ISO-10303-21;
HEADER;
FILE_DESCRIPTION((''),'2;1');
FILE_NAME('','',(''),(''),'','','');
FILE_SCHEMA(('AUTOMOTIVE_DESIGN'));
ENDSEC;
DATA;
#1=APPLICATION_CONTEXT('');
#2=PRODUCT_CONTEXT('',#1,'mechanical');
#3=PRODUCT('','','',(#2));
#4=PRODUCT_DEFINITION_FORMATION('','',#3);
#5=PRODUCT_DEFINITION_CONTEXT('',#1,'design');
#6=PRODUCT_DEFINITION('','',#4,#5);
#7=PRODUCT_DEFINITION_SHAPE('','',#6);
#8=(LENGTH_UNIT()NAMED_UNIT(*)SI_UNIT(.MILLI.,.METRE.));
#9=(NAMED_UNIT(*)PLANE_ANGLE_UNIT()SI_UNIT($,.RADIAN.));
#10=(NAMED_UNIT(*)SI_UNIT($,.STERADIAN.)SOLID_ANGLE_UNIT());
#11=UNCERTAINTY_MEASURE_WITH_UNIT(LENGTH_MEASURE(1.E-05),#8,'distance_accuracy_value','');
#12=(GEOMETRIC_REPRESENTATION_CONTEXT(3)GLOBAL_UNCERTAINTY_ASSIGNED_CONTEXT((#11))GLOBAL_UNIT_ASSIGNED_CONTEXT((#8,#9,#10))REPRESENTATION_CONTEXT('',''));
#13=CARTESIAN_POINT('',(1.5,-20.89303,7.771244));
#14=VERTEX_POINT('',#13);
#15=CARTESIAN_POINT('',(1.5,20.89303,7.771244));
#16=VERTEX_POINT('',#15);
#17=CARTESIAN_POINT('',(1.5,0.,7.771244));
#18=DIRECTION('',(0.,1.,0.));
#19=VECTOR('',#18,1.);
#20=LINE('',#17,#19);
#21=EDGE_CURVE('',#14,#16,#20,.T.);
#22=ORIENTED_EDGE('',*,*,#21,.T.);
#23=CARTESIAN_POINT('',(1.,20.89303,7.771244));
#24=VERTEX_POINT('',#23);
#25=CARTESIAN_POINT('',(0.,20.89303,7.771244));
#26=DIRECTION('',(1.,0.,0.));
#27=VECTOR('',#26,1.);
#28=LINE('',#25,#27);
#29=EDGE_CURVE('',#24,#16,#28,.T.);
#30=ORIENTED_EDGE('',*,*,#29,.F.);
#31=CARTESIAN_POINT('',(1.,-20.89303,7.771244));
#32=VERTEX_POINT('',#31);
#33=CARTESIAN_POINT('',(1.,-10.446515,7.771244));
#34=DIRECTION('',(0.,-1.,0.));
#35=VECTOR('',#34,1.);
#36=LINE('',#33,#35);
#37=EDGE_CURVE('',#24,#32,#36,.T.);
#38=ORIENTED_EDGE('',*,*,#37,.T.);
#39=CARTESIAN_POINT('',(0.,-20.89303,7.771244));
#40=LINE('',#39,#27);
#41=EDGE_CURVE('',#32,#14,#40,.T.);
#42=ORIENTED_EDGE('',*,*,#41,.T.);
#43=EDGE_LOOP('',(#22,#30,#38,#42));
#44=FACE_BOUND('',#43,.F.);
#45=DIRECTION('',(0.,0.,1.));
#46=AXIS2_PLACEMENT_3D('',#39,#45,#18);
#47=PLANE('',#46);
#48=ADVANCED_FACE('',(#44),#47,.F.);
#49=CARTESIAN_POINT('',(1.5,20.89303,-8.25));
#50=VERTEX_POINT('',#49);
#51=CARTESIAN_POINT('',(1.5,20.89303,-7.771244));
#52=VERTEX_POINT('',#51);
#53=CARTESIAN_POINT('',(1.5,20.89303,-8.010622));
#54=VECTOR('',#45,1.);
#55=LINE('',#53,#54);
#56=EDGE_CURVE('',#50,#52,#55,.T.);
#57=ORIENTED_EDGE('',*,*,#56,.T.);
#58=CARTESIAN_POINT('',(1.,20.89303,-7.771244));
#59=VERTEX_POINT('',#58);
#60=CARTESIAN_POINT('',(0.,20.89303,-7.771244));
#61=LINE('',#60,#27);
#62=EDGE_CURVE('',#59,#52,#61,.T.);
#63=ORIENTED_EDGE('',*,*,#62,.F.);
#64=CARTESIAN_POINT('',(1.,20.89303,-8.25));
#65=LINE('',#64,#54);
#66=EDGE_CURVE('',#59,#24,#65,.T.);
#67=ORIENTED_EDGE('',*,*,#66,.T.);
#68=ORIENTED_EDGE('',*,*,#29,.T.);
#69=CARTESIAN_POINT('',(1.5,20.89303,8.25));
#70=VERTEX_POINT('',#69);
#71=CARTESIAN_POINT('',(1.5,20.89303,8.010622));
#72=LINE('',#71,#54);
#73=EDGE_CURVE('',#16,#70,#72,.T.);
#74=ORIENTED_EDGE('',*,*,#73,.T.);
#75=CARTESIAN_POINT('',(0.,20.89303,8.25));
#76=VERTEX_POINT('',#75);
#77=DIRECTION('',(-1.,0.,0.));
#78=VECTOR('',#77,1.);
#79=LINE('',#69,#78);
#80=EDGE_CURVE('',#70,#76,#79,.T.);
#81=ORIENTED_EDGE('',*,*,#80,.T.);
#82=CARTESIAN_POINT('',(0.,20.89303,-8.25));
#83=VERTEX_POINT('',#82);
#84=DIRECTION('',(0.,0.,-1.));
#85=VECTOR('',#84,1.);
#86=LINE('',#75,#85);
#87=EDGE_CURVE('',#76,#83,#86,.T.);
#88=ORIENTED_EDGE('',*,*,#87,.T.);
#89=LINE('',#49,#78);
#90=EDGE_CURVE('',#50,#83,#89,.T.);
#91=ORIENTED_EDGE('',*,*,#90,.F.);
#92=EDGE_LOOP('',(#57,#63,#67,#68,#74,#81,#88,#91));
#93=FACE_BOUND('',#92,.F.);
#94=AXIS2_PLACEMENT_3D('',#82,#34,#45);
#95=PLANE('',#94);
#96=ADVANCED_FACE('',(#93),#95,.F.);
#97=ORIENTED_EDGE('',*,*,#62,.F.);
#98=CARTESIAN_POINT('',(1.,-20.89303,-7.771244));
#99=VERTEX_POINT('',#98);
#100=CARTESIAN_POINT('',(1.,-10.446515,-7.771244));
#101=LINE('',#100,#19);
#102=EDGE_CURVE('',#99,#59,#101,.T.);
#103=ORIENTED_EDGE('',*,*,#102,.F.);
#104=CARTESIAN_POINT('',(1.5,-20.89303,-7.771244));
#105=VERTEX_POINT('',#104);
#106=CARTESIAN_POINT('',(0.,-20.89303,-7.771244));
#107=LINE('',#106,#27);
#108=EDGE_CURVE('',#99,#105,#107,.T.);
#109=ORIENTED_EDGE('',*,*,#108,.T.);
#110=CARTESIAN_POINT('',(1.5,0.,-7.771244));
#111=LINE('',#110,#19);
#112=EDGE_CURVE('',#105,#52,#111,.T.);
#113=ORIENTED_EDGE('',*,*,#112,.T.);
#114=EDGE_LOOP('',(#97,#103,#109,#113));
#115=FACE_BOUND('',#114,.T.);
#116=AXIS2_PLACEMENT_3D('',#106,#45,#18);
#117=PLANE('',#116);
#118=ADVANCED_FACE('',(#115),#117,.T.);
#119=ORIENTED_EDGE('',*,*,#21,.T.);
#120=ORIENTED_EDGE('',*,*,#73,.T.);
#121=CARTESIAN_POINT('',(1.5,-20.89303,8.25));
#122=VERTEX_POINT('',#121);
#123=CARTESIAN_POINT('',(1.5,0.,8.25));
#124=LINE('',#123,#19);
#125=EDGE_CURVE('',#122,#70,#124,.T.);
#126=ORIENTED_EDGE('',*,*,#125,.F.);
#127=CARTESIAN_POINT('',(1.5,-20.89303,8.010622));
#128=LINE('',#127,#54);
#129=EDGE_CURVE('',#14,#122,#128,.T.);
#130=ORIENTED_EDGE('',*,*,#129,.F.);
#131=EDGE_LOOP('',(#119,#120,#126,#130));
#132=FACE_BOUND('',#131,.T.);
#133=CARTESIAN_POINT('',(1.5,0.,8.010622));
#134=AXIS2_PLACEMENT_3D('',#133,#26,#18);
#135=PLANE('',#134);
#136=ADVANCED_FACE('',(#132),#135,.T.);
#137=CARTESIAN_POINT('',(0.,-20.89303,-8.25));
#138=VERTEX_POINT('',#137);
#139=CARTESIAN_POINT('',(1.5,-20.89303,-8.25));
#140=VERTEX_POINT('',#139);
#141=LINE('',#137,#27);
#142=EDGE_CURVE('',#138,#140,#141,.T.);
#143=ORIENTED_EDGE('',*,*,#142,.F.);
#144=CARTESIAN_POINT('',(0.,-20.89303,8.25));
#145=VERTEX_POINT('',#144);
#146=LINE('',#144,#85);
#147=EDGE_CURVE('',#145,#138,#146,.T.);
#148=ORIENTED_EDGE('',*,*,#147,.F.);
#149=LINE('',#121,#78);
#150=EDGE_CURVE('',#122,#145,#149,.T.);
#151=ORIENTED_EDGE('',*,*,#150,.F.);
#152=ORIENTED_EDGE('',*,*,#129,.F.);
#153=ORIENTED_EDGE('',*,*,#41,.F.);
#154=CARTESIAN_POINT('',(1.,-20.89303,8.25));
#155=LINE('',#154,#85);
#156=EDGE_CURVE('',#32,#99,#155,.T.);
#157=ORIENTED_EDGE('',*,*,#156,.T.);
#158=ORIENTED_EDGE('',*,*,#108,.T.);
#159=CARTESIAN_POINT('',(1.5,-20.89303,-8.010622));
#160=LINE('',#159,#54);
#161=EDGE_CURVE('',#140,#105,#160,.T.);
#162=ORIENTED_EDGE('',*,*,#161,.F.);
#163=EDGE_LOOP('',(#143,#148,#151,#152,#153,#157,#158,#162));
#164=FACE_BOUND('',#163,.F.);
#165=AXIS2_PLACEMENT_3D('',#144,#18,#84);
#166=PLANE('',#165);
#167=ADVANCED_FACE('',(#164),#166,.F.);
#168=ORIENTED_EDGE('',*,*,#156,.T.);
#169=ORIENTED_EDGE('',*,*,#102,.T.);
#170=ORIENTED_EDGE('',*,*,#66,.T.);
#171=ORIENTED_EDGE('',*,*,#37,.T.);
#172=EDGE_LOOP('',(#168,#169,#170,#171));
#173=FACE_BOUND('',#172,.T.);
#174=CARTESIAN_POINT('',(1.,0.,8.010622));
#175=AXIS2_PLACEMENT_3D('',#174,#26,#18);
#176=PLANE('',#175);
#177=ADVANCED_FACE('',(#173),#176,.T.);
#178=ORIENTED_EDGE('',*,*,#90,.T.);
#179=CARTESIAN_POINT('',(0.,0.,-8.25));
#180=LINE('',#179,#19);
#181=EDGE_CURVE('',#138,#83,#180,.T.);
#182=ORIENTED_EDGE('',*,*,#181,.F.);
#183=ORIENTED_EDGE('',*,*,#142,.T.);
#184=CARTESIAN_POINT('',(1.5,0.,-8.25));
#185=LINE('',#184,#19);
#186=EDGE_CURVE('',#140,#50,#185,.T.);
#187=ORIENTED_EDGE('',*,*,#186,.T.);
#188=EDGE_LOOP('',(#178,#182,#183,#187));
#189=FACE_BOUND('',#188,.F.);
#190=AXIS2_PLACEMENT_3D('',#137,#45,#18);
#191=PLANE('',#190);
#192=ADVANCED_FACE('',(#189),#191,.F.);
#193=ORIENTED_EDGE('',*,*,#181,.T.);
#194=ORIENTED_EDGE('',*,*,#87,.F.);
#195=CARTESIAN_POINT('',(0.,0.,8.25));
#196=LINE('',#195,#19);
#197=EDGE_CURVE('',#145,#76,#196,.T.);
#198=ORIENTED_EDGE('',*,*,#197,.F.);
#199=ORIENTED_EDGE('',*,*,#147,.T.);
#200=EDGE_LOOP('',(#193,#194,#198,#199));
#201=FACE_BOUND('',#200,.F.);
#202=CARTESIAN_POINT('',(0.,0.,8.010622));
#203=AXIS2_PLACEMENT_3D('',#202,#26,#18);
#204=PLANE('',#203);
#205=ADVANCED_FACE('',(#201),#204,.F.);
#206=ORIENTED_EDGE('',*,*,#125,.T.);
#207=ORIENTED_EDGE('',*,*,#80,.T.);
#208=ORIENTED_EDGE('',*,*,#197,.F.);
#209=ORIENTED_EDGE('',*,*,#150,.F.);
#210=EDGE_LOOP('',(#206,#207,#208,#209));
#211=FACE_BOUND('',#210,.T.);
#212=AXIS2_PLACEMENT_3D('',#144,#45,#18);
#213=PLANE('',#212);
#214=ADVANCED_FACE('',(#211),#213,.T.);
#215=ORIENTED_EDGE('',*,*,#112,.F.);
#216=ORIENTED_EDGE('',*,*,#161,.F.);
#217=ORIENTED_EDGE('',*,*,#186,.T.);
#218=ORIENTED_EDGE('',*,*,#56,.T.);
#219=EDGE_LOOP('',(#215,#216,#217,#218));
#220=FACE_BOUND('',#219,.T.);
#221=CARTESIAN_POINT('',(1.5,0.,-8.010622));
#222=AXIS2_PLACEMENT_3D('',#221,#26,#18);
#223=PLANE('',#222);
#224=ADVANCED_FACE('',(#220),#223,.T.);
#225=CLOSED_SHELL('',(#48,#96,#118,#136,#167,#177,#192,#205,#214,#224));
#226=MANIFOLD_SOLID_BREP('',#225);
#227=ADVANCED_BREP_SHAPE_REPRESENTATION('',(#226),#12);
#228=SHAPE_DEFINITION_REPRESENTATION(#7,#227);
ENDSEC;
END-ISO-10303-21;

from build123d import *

# Parameters (mm, degrees)
F0_W     = 41.78606
F0_H     = 0.478756
F1_DEPTH = 1.5
F0_H_2   = 15.542488
F2_DEPTH = 1
F3_DEPTH = 1.5


with BuildPart() as f1:
    # F0 (on Right) → F1 (new body)
    with BuildSketch(Plane.YZ):
        with Locations((0, -8.010622)):
            Rectangle(F0_W, F0_H)
    extrude(amount=F1_DEPTH)

    # F0 (on Right) → F2 (join)
    with BuildSketch(Plane.YZ):
        with Locations((0, 8.010622)):
            Rectangle(F0_W, F0_H)
        Rectangle(F0_W, F0_H_2)
        with Locations((0, -8.010622)):
            Rectangle(F0_W, F0_H)
    extrude(amount=F2_DEPTH)

    # F0 (on Right) → F3 (join)
    with BuildSketch(Plane.YZ):
        with Locations((0, 8.010622)):
            Rectangle(F0_W, F0_H)
    extrude(amount=F3_DEPTH)


solid = f1.part
